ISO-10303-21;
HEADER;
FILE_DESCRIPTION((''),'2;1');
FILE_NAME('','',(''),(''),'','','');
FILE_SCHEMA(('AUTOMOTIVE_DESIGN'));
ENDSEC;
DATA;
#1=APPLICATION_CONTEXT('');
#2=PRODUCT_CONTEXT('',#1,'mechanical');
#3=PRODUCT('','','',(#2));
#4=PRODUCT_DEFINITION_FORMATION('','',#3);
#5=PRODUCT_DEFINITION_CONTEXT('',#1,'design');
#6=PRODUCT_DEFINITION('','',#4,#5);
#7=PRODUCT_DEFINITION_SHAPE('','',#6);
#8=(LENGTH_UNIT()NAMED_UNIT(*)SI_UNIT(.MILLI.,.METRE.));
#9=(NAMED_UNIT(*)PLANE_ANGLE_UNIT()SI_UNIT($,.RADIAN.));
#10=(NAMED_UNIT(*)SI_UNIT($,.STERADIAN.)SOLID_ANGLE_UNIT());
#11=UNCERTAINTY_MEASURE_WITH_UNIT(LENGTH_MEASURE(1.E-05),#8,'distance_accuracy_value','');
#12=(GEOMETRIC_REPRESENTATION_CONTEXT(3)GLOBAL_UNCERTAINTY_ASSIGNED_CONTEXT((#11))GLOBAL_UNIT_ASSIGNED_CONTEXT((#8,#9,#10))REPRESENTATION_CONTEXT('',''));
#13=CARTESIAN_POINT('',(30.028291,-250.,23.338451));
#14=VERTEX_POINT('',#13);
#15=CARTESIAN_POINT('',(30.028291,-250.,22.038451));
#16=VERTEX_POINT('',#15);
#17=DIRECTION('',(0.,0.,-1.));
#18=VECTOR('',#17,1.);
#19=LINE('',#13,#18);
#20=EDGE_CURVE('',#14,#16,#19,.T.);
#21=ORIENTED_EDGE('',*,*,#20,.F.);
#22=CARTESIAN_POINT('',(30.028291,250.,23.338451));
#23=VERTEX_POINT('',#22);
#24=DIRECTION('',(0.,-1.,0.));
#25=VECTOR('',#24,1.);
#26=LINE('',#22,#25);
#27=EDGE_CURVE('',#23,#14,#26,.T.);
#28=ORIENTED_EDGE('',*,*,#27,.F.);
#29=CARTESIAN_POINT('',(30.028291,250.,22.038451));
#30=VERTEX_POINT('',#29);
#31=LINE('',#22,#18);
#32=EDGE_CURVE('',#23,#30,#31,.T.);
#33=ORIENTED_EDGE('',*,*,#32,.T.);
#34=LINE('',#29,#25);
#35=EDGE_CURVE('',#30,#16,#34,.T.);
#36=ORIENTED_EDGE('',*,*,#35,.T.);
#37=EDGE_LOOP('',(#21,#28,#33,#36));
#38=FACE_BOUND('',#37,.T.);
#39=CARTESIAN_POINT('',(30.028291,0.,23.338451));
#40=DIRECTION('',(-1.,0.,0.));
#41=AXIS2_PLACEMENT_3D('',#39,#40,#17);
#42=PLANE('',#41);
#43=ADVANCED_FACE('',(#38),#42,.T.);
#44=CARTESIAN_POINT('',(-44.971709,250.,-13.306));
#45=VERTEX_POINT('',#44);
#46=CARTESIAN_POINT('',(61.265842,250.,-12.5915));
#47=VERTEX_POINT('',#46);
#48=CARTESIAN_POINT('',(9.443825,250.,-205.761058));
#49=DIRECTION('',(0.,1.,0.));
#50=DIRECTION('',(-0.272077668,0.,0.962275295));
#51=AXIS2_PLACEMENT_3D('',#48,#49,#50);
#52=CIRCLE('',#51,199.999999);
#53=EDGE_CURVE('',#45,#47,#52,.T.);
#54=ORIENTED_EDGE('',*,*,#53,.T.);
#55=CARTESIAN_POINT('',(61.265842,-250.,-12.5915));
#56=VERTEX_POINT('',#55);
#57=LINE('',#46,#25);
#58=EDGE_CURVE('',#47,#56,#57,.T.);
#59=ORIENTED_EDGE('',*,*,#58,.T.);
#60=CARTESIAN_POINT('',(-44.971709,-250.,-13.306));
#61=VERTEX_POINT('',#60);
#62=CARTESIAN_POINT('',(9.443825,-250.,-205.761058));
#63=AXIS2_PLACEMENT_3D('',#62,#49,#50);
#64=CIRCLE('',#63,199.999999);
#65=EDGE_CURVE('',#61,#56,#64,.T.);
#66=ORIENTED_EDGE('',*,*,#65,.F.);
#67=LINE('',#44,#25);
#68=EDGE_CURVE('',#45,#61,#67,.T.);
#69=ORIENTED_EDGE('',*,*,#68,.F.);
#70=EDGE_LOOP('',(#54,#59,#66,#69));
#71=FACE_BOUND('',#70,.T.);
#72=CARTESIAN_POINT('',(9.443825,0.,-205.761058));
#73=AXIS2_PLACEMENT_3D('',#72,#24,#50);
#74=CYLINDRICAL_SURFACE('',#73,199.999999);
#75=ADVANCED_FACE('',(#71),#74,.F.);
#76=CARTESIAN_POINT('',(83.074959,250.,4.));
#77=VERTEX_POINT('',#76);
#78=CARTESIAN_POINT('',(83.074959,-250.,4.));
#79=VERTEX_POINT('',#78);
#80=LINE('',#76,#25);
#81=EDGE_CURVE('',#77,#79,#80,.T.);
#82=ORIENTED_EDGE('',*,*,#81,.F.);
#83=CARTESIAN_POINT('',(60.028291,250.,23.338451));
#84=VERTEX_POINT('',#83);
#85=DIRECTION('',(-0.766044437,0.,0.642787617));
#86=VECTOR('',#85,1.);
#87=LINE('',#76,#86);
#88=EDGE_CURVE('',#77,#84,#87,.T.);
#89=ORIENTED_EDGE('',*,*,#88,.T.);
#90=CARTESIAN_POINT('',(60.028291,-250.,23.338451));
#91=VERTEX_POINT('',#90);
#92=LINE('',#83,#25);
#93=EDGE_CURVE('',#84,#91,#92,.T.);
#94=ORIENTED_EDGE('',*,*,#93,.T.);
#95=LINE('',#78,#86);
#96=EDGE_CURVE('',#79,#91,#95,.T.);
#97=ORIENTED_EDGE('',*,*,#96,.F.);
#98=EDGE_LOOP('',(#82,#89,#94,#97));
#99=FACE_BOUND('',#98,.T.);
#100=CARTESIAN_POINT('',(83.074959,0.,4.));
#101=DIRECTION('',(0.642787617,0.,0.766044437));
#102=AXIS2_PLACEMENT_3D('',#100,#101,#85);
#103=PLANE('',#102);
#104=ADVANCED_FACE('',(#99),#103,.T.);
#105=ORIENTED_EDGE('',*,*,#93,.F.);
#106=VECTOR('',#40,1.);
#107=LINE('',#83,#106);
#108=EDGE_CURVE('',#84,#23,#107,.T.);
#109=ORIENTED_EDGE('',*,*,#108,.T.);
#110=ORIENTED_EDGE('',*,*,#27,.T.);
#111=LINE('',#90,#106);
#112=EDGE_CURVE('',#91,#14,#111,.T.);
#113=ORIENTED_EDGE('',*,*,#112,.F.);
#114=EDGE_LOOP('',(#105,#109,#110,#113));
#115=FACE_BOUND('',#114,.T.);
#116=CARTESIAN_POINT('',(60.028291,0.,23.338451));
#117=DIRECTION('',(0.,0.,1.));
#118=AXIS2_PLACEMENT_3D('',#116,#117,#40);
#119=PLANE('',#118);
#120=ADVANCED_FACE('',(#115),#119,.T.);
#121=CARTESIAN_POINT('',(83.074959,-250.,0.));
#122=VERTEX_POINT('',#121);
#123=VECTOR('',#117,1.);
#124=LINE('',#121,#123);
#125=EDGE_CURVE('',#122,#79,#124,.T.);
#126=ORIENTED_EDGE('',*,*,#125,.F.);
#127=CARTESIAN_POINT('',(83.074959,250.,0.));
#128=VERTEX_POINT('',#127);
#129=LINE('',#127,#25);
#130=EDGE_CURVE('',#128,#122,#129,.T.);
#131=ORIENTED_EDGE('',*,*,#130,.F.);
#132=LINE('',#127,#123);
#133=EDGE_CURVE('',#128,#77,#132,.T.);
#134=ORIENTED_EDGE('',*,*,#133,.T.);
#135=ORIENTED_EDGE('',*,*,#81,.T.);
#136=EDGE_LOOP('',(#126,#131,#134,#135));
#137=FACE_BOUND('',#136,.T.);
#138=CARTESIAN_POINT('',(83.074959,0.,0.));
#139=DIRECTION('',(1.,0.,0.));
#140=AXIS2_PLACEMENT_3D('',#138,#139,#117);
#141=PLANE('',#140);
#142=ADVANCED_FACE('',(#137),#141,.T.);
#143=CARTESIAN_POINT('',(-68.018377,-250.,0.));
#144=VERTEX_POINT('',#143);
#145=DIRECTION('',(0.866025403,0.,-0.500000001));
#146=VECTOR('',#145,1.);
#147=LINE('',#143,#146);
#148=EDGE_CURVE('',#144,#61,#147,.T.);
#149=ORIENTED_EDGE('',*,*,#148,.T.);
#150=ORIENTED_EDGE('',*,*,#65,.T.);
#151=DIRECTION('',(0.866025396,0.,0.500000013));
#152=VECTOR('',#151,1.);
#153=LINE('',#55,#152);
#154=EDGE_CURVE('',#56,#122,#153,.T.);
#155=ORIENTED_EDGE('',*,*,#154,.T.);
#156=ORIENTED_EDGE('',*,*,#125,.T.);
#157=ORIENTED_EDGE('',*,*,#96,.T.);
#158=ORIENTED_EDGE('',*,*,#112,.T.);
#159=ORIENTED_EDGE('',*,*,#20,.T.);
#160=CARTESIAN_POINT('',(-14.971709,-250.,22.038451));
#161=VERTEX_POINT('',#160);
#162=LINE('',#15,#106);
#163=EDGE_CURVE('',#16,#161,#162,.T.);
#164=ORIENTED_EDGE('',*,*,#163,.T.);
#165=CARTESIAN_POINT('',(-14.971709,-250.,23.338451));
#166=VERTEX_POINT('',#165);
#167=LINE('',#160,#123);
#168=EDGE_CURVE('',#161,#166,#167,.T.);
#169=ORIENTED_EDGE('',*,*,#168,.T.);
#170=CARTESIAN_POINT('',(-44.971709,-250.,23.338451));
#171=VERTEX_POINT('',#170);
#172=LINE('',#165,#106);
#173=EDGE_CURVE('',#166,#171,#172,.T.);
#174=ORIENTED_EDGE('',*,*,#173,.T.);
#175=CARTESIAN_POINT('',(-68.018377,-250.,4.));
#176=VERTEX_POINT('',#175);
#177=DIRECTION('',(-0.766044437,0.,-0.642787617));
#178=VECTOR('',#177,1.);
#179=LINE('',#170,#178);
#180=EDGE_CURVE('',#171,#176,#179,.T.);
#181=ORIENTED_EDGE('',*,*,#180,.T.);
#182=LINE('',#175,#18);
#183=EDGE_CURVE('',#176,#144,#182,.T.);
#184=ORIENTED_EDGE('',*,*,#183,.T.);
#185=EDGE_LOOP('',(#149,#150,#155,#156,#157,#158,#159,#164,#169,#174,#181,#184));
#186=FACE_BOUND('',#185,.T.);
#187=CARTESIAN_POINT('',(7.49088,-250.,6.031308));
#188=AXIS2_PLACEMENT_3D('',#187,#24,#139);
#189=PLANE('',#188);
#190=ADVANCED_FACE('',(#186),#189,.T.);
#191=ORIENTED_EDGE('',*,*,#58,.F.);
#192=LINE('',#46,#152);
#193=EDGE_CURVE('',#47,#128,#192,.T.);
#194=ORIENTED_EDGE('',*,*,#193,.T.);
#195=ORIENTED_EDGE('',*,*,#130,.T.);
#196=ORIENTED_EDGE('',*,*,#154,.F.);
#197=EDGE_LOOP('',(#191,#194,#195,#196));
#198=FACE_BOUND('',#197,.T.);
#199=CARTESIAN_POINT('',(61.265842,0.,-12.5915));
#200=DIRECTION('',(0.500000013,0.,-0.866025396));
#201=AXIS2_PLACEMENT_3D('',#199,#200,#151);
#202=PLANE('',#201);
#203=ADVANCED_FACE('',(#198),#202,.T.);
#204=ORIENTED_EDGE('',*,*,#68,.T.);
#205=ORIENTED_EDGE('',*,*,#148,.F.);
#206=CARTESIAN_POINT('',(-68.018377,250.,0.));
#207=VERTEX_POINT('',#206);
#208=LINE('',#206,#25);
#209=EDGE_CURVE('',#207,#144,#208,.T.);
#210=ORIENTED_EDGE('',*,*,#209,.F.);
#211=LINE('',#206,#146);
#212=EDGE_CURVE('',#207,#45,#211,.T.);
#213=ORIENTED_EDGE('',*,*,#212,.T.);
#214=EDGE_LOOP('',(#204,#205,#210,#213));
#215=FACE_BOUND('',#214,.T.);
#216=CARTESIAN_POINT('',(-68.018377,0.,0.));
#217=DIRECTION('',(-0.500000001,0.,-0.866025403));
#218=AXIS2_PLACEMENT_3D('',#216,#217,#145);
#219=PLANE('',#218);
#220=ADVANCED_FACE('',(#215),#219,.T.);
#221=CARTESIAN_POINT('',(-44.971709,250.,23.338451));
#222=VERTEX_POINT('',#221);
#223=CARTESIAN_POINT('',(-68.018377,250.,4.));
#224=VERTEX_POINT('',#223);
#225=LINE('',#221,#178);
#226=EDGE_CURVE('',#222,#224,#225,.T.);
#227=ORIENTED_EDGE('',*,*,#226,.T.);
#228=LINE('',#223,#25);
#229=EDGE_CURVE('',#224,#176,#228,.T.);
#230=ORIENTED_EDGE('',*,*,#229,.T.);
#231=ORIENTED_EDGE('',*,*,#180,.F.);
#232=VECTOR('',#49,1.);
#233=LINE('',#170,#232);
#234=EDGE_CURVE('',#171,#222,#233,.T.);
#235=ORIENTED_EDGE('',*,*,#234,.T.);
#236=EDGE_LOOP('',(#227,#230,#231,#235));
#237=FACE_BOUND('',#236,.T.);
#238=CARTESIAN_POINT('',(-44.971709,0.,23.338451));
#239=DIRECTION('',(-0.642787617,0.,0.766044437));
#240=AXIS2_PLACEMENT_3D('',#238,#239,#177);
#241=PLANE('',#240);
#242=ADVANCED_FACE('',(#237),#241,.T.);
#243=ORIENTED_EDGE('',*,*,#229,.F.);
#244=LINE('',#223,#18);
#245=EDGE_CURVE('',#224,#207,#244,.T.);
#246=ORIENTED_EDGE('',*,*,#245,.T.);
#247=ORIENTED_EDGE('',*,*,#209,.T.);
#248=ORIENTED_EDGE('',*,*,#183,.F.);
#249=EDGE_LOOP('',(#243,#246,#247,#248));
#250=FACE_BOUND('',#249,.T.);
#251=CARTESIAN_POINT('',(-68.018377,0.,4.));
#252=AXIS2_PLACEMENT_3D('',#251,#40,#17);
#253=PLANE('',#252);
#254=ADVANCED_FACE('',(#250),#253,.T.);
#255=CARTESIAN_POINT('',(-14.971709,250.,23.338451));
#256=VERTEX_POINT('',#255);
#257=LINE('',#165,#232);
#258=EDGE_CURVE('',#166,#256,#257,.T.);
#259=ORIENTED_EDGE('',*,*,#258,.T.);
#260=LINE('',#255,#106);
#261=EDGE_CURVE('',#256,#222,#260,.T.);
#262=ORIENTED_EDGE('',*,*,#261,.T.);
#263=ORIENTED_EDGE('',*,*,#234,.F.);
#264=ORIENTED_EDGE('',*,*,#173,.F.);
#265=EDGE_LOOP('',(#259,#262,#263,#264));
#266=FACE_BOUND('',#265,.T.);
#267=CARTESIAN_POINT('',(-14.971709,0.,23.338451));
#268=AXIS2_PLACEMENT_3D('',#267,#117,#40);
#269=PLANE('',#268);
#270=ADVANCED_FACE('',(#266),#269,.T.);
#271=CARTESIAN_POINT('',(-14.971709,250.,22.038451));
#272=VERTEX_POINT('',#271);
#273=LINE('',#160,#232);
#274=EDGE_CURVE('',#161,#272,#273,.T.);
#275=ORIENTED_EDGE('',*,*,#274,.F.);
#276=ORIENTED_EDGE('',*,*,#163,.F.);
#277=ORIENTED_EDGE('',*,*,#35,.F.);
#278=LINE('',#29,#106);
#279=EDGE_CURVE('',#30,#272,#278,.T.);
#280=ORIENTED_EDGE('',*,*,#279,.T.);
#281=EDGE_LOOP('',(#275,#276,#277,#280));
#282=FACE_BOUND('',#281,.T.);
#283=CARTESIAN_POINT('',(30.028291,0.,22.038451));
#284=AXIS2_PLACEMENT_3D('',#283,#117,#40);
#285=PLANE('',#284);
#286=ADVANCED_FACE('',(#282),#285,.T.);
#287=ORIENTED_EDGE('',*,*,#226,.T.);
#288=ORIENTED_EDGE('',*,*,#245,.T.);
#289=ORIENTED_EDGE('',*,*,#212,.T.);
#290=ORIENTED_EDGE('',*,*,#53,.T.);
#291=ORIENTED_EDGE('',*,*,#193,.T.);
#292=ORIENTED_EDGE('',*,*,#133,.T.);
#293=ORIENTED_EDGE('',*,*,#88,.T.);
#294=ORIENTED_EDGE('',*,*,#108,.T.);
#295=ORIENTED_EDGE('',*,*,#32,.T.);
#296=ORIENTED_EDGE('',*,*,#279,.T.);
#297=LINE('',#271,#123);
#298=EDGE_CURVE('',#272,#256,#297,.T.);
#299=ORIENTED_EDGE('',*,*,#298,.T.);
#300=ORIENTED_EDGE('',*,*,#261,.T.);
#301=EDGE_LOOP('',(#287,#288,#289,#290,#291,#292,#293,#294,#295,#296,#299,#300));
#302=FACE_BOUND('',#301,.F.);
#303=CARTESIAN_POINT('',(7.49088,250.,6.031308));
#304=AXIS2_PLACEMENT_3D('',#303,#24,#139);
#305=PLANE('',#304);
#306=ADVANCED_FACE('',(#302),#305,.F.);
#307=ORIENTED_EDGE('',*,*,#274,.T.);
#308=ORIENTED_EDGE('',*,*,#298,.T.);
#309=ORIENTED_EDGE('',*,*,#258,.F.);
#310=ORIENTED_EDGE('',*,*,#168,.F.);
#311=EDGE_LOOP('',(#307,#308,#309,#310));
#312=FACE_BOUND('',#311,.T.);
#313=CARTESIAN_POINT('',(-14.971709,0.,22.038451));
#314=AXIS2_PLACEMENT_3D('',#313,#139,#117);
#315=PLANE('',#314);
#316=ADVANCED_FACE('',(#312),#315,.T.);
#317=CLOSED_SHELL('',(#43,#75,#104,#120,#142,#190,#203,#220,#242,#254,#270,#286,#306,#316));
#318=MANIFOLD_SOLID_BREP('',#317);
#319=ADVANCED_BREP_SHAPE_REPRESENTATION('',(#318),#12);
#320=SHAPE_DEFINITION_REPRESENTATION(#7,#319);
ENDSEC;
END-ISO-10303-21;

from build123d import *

# Parameters (mm, degrees)
F1_DEPTH = 250


with BuildPart() as f1:
    # F0 (on Front) → F1 (new body, symmetric)
    with BuildSketch(Plane.XZ):
        with BuildLine():
            Line((-44.971709, 23.338451), (-68.018377, 4))
            Line((-68.018377, 4), (-68.018377, 0))
            Line((-68.018377, 0), (-44.971709, -13.306))
            ThreePointArc((-44.971709, -13.306), (8.098756, -5.765582), (61.265842, -12.5915))
            Line((61.265842, -12.5915), (83.074959, 0))
            Line((83.074959, 0), (83.074959, 4))
            Line((83.074959, 4), (60.028291, 23.338451))
            Line((60.028291, 23.338451), (30.028291, 23.338451))
            Line((30.028291, 23.338451), (30.028291, 22.038451))
            Line((30.028291, 22.038451), (-14.971709, 22.038451))
            Line((-14.971709, 22.038451), (-14.971709, 23.338451))
            Line((-14.971709, 23.338451), (-44.971709, 23.338451))
        make_face()
    extrude(amount=F1_DEPTH, both=True)


solid = f1.part
